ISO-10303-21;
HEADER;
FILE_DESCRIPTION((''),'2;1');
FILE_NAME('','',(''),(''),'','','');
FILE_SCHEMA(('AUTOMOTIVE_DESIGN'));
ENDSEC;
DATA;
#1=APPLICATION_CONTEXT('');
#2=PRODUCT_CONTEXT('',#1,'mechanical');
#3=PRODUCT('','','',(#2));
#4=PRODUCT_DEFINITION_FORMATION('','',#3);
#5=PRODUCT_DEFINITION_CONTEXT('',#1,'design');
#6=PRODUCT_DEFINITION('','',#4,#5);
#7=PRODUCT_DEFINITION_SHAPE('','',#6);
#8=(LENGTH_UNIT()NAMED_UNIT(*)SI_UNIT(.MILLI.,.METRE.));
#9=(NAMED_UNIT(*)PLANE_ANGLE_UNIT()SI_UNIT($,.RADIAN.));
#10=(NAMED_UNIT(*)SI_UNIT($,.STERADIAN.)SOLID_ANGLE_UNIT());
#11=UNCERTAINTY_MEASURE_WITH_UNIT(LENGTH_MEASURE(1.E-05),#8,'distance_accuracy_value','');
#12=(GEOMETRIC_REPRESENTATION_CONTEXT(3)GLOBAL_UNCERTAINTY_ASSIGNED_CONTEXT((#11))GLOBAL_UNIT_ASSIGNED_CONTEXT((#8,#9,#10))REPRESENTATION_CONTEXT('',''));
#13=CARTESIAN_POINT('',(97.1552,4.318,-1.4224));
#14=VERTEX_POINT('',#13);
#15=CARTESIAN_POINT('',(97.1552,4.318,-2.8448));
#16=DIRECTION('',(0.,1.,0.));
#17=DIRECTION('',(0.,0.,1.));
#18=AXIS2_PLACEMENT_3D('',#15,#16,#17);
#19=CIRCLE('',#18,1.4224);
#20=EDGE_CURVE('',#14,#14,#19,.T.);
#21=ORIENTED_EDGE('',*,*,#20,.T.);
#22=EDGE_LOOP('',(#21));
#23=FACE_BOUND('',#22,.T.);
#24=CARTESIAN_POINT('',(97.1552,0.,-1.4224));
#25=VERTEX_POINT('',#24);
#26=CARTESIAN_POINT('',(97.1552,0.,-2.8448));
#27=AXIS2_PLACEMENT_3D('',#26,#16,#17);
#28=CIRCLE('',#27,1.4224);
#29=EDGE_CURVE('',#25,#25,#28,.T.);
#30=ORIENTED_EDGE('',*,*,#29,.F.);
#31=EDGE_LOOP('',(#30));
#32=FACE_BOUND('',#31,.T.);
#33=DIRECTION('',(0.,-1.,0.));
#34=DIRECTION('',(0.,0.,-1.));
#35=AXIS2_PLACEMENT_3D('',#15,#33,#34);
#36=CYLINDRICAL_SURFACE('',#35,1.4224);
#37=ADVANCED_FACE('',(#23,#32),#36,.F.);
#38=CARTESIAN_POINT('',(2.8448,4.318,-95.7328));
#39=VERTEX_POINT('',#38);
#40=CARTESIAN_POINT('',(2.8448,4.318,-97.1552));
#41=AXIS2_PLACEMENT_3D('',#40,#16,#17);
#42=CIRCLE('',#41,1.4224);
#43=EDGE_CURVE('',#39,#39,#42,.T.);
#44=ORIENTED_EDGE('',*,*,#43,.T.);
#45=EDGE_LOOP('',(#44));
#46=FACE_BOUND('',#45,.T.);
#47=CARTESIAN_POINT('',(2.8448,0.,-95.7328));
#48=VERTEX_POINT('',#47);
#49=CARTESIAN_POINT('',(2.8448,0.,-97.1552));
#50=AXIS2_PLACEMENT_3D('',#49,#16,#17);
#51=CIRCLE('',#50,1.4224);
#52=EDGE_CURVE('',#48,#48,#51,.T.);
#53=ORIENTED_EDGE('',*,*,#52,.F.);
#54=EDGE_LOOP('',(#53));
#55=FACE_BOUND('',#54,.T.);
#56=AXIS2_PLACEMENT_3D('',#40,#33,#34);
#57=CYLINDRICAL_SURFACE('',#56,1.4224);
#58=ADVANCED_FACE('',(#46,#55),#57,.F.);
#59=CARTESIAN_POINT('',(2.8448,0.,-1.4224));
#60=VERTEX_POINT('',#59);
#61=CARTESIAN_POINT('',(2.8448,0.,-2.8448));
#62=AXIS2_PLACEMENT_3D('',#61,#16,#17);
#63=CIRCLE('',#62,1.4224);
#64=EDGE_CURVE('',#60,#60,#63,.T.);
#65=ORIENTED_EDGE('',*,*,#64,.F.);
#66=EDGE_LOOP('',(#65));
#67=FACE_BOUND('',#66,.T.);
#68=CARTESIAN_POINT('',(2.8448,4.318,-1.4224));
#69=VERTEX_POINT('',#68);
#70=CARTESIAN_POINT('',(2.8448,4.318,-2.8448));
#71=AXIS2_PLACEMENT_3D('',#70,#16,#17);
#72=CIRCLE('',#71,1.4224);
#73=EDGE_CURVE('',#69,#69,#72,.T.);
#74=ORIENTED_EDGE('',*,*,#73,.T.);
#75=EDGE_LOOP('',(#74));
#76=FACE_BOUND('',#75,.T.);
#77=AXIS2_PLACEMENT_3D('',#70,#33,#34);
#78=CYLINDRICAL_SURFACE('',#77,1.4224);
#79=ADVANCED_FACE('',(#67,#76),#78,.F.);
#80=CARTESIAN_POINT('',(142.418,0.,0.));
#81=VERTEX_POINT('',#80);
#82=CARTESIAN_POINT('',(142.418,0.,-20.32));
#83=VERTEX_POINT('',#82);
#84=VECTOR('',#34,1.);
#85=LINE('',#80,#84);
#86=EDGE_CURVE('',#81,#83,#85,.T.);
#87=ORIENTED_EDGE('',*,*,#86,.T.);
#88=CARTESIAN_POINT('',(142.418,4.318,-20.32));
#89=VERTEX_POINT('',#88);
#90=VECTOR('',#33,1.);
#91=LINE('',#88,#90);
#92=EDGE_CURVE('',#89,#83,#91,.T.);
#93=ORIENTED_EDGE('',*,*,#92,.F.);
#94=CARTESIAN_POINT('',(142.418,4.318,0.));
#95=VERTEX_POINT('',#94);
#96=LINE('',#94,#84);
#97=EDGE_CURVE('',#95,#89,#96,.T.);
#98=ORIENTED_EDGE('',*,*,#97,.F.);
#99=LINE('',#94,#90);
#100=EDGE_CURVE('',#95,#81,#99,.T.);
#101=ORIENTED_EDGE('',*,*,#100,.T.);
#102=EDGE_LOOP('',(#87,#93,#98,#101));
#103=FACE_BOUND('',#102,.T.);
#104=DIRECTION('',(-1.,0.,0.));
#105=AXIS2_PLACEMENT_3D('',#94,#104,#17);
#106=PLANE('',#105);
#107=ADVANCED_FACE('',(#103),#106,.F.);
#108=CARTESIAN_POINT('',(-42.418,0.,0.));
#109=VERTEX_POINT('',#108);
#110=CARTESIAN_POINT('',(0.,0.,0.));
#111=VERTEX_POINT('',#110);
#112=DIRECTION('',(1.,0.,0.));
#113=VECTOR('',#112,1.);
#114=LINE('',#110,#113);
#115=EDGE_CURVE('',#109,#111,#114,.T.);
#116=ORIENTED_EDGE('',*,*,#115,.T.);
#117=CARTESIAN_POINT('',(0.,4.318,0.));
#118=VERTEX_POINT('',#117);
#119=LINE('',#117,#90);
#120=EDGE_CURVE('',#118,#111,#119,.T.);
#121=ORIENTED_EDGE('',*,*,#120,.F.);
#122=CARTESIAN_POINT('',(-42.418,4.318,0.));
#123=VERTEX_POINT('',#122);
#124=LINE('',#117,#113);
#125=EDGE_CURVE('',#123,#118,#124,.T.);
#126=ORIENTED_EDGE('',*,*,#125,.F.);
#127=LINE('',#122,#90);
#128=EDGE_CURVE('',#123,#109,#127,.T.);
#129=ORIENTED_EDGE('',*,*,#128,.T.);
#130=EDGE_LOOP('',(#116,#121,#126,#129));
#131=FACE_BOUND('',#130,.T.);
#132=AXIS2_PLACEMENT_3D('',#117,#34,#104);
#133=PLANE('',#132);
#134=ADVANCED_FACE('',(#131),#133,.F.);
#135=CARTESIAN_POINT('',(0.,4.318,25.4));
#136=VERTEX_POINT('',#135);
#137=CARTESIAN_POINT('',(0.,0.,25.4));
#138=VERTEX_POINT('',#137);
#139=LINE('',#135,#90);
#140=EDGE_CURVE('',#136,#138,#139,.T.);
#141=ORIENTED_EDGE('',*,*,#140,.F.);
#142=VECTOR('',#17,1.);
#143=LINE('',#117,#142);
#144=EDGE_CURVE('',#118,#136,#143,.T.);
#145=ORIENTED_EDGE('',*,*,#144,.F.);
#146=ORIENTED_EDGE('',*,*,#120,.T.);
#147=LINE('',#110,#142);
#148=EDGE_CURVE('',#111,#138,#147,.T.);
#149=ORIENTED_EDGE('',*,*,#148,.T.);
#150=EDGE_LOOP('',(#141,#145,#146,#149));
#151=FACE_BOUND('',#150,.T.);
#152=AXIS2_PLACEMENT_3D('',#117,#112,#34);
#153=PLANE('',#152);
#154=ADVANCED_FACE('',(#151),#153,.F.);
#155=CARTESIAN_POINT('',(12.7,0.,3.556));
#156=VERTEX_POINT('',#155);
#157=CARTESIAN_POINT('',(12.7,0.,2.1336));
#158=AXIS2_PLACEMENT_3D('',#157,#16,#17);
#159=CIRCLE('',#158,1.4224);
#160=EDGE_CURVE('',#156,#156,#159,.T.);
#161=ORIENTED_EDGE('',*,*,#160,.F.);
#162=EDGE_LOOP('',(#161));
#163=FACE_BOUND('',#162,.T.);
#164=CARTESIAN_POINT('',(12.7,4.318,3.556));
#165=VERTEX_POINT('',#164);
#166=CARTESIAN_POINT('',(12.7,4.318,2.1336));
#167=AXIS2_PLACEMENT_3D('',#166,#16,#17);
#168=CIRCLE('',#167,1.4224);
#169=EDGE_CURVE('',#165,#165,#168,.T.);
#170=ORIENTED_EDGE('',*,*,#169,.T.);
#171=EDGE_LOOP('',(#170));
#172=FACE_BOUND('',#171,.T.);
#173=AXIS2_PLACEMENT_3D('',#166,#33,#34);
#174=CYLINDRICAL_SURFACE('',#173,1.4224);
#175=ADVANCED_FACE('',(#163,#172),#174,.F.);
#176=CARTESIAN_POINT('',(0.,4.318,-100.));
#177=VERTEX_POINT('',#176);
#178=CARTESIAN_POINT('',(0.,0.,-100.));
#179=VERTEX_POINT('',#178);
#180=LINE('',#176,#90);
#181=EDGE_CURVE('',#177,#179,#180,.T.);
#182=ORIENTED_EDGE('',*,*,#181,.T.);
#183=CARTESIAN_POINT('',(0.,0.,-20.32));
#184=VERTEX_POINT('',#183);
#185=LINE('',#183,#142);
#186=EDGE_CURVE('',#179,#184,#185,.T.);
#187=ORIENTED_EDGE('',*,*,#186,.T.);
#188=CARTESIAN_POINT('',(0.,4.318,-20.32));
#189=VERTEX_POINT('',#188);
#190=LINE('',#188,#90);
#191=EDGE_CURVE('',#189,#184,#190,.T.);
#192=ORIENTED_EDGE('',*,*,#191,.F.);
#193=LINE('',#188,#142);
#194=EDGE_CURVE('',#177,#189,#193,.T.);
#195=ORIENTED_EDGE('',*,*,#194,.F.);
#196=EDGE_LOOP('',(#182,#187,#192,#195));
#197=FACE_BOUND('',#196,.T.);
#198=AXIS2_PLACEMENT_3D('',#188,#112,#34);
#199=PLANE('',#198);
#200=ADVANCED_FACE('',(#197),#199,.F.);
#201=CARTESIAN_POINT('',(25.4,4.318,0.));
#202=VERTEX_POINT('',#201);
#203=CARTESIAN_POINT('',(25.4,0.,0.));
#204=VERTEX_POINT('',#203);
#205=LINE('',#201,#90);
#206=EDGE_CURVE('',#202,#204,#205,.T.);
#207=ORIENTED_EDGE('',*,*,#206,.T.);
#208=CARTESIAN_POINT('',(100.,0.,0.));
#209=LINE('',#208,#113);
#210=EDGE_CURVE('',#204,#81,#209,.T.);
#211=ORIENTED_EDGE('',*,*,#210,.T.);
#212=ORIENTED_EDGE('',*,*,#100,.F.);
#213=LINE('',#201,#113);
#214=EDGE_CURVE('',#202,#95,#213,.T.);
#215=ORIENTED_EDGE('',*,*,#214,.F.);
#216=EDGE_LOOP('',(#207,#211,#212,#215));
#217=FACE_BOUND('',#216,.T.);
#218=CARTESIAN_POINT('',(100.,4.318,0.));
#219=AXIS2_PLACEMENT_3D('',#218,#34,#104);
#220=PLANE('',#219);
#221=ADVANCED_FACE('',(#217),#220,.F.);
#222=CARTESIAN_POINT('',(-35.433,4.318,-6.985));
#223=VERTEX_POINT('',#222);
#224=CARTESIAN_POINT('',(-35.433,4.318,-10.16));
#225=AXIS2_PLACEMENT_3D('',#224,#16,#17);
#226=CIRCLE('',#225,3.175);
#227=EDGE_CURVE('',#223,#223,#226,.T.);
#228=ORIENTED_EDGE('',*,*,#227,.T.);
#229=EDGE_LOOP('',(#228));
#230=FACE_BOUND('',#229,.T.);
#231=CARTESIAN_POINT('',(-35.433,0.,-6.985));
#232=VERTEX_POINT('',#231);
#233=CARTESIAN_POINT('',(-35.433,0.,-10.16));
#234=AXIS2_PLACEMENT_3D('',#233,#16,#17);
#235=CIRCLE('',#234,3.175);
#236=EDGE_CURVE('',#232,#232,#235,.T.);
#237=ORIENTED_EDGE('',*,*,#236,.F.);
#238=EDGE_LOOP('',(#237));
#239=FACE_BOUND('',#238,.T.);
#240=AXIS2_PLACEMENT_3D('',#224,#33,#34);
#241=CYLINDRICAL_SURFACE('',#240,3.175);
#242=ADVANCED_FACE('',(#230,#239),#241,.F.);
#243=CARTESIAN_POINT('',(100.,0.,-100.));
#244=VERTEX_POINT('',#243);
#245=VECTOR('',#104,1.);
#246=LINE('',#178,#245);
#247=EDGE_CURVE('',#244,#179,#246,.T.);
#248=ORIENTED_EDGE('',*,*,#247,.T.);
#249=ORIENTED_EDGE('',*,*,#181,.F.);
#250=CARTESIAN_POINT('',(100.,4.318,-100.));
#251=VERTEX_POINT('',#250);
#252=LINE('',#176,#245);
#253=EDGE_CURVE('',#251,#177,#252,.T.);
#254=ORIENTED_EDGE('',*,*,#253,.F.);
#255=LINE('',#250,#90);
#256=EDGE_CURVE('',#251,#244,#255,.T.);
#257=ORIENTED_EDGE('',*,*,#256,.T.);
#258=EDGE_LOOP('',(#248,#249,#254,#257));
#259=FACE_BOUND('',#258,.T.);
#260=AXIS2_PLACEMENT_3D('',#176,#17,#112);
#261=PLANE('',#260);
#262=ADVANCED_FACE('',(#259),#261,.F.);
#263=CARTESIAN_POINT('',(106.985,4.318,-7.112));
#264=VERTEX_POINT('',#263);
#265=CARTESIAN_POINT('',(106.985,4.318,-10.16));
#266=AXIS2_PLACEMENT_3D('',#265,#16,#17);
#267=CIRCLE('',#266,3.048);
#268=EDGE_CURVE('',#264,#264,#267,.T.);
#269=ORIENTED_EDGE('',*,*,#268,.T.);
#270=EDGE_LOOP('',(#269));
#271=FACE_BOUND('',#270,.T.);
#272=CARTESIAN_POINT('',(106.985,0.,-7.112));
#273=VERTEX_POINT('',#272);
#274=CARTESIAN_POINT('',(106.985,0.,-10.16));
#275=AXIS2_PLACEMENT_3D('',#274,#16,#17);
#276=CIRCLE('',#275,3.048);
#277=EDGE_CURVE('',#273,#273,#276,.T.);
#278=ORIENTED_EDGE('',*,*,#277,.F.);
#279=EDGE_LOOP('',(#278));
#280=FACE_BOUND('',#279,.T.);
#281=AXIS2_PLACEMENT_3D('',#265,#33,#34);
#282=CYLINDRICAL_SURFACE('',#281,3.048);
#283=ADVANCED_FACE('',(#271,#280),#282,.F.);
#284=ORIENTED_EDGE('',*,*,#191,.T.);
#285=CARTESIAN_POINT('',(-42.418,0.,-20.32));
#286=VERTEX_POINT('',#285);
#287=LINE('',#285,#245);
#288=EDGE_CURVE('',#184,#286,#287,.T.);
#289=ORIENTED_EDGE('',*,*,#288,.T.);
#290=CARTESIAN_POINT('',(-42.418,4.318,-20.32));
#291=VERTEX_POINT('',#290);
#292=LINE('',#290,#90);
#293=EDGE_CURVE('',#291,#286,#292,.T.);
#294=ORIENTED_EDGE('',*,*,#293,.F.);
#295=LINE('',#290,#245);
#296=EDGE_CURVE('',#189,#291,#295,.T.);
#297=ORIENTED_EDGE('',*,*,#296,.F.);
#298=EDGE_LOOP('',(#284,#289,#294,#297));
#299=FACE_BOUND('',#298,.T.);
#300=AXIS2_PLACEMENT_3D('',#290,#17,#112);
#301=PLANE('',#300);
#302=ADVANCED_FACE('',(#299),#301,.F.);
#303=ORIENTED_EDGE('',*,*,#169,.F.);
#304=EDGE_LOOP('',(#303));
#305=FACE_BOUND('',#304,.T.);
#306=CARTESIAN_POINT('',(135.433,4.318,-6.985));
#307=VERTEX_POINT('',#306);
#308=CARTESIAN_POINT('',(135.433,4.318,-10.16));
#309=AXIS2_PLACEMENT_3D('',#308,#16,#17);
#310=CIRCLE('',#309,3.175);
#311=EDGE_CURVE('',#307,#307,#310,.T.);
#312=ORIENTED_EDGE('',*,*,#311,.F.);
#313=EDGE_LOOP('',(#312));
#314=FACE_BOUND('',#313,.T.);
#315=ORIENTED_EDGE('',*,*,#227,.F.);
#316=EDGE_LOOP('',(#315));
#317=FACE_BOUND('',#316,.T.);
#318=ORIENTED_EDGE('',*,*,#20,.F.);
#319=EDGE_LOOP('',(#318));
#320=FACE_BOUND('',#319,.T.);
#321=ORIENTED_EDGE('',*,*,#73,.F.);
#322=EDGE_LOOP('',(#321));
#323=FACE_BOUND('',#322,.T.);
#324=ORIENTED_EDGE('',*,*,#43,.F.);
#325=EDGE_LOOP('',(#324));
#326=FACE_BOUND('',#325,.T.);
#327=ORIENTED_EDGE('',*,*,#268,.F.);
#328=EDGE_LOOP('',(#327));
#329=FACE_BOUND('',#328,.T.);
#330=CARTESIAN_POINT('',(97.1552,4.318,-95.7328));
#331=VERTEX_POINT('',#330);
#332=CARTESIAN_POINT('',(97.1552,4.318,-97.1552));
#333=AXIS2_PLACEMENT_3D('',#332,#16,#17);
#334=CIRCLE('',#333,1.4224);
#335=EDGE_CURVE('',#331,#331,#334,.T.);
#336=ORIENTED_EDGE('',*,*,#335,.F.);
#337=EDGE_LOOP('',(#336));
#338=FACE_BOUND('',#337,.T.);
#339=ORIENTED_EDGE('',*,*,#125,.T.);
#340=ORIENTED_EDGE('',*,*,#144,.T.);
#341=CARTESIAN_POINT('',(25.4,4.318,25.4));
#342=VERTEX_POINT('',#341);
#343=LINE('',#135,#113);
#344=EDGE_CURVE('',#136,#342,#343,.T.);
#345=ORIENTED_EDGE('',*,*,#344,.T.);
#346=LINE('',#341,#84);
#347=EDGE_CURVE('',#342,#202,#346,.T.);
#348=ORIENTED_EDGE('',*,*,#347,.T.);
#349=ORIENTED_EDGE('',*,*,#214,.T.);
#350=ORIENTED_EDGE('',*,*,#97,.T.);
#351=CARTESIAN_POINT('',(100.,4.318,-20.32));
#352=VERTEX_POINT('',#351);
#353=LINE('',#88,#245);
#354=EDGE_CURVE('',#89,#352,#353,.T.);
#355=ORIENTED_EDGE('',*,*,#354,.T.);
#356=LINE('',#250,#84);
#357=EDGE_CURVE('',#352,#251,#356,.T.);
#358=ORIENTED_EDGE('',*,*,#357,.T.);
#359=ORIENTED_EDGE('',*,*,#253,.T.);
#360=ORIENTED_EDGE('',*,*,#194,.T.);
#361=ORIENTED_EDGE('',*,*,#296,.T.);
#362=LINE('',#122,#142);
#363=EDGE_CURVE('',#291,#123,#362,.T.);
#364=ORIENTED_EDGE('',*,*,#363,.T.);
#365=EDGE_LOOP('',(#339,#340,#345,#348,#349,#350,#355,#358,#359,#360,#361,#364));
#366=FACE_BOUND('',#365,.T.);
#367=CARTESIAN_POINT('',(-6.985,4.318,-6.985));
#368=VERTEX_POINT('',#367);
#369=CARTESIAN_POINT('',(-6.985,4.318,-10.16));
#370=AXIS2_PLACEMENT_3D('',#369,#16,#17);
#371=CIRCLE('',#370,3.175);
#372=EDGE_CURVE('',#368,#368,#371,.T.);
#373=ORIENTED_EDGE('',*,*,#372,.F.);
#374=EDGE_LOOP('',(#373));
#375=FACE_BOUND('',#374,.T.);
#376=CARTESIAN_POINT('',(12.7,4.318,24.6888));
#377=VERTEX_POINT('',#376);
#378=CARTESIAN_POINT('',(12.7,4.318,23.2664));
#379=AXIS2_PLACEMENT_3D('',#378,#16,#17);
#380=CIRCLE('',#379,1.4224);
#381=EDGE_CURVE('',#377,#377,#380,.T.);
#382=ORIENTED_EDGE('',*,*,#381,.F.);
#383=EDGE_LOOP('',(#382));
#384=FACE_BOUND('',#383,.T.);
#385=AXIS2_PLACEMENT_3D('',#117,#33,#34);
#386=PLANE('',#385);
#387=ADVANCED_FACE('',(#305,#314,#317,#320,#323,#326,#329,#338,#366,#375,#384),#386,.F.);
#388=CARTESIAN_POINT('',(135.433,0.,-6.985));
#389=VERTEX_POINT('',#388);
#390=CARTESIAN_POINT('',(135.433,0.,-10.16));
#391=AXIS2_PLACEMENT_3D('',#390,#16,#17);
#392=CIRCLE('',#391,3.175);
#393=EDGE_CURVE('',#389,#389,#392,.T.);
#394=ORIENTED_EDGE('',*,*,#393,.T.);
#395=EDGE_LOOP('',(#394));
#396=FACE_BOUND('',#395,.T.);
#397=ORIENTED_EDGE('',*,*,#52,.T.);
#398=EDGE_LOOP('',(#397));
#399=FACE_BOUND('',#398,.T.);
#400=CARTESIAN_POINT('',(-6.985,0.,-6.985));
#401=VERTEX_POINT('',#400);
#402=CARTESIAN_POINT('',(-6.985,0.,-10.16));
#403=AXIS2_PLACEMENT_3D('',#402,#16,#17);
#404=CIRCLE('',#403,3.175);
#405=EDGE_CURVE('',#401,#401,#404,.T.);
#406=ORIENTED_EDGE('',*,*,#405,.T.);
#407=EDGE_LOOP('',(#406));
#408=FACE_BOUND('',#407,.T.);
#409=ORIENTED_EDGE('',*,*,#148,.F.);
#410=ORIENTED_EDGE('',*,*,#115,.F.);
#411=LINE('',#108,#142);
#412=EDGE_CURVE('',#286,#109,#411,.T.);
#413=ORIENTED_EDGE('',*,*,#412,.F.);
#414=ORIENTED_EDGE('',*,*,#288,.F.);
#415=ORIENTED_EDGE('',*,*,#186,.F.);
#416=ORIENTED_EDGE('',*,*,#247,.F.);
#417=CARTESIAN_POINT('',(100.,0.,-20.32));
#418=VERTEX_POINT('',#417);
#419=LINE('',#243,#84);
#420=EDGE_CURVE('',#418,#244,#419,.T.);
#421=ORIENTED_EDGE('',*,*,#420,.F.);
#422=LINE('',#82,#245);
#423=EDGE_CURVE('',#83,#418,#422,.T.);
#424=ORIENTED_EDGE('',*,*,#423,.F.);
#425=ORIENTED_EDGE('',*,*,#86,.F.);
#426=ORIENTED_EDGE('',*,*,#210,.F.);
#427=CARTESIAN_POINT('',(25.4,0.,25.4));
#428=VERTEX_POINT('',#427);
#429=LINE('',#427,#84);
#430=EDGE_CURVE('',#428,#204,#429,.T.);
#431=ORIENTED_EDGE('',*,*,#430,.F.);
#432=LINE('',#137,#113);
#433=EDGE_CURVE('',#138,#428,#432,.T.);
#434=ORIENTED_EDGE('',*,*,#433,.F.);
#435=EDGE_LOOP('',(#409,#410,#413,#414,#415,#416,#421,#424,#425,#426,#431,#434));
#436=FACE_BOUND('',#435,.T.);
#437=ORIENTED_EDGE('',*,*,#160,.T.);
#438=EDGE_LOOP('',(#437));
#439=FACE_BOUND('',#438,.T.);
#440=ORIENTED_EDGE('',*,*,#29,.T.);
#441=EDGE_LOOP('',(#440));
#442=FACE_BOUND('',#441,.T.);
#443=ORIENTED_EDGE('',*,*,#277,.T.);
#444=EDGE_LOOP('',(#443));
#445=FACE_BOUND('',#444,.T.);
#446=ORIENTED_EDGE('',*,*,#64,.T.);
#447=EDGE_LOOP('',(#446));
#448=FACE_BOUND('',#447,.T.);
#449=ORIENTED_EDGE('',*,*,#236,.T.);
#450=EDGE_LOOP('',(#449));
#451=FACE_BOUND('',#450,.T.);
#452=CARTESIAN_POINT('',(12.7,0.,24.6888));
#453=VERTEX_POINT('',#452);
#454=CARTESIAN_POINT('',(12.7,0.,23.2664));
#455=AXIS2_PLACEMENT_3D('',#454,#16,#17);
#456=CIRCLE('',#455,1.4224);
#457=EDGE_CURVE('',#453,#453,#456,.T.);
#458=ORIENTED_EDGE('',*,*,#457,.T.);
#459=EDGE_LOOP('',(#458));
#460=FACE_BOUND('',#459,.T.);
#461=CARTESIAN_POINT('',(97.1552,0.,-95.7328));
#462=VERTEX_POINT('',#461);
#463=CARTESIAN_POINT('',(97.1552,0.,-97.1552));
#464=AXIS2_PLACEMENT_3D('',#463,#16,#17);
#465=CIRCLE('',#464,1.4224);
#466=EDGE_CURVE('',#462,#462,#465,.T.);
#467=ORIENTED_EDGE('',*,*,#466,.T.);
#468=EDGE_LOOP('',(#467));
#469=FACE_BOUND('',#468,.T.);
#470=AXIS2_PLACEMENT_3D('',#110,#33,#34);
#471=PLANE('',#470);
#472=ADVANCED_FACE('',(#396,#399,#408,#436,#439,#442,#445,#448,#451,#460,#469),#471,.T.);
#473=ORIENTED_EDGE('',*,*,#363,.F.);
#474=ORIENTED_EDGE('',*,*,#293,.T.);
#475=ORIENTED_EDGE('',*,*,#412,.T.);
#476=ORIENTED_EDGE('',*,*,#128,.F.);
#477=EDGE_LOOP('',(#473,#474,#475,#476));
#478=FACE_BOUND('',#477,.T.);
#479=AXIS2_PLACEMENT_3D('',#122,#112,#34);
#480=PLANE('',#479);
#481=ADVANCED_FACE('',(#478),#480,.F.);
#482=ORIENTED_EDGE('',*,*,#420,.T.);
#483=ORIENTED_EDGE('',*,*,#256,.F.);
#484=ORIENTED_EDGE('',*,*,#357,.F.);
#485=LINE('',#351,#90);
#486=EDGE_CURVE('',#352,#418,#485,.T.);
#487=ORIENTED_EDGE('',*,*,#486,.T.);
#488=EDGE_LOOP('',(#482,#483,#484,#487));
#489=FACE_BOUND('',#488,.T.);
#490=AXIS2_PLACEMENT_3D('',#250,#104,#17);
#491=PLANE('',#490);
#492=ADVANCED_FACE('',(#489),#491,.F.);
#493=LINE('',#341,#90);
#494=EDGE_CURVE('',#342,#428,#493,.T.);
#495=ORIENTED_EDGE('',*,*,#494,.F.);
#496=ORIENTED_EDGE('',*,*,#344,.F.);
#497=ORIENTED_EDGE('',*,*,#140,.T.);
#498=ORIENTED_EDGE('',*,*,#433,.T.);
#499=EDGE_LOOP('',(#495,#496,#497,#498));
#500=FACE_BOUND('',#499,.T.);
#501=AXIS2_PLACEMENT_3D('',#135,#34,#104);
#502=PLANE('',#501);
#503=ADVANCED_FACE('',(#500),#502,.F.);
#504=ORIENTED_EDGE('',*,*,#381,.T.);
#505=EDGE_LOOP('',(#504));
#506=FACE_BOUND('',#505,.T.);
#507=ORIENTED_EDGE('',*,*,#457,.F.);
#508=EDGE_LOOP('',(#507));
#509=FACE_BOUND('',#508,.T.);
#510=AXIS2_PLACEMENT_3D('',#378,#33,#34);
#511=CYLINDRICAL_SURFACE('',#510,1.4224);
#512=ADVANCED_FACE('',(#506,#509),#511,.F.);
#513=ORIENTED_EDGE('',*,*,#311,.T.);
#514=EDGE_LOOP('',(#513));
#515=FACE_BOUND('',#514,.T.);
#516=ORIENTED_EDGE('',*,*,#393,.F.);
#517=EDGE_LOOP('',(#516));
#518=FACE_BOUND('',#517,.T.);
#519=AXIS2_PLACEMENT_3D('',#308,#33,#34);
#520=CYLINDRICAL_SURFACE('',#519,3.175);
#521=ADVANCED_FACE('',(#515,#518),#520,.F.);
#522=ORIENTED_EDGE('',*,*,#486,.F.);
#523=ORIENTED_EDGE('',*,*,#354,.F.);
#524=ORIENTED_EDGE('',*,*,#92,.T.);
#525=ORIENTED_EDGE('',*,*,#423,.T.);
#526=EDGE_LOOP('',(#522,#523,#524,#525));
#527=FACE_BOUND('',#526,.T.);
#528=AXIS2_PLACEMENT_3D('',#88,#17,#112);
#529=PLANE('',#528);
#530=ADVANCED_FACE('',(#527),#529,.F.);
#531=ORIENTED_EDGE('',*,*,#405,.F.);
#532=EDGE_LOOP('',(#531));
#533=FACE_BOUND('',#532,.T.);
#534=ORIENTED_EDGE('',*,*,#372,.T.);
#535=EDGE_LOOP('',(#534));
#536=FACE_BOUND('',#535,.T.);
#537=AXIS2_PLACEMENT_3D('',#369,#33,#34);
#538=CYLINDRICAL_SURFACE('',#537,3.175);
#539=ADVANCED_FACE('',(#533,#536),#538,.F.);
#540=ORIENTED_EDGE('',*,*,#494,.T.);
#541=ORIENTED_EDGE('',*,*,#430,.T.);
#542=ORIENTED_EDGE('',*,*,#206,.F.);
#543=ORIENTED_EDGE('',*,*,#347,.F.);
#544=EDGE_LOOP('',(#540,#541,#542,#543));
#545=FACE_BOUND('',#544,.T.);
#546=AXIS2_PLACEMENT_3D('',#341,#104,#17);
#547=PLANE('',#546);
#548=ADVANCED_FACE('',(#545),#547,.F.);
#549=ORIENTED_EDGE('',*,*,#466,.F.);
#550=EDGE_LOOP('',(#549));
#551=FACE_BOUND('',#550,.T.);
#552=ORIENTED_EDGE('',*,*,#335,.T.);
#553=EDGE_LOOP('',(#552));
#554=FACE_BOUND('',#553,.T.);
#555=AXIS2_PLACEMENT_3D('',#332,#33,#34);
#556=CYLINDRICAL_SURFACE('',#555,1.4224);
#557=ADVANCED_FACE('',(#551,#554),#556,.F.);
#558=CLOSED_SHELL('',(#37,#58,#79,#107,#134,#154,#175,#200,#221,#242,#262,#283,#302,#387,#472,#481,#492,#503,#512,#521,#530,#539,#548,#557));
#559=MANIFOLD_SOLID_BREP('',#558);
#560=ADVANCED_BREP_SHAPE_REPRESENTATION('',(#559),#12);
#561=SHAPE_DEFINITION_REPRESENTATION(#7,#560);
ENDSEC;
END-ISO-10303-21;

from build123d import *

# Parameters (mm, degrees)
SKETCH1_R           = 1.4224
SKETCH1_R_2         = 3.175
SKETCH1_R_3         = 3.048
BOSS_EXTRUDE2_DEPTH = 4.318


with BuildPart() as part:
    # Sketch1 → Boss-Extrude2 (new body)
    with BuildSketch(Plane(origin=(0, 0, 0), x_dir=(1, 0, 0), z_dir=(0, 1, 0))):
        Polygon((0, 20.32), (0, 100), (100, 100), (100, 20.32), (142.418, 20.32), (142.418, 0), (100, 0), (25.4, 0), (25.4, -25.4), (0, -25.4), (0, 0), (-42.418, 0), (-42.418, 20.32), align=None)
        with Locations((2.8448, 2.8448)):
            Circle(SKETCH1_R, mode=Mode.SUBTRACT)
        with Locations((97.1552, 2.8448)):
            Circle(SKETCH1_R, mode=Mode.SUBTRACT)
        with Locations((2.8448, 97.1552)):
            Circle(SKETCH1_R, mode=Mode.SUBTRACT)
        with Locations((97.1552, 97.1552)):
            Circle(SKETCH1_R, mode=Mode.SUBTRACT)
        with Locations((12.7, -23.2664)):
            Circle(SKETCH1_R, mode=Mode.SUBTRACT)
        with Locations((12.7, -2.1336)):
            Circle(SKETCH1_R, mode=Mode.SUBTRACT)
        with Locations((-6.985, 10.16)):
            Circle(SKETCH1_R_2, mode=Mode.SUBTRACT)
        with Locations((-35.433, 10.16)):
            Circle(SKETCH1_R_2, mode=Mode.SUBTRACT)
        with Locations((106.985, 10.16)):
            Circle(SKETCH1_R_3, mode=Mode.SUBTRACT)
        with Locations((135.433, 10.16)):
            Circle(SKETCH1_R_2, mode=Mode.SUBTRACT)
    extrude(amount=BOSS_EXTRUDE2_DEPTH)


solid = part.part
